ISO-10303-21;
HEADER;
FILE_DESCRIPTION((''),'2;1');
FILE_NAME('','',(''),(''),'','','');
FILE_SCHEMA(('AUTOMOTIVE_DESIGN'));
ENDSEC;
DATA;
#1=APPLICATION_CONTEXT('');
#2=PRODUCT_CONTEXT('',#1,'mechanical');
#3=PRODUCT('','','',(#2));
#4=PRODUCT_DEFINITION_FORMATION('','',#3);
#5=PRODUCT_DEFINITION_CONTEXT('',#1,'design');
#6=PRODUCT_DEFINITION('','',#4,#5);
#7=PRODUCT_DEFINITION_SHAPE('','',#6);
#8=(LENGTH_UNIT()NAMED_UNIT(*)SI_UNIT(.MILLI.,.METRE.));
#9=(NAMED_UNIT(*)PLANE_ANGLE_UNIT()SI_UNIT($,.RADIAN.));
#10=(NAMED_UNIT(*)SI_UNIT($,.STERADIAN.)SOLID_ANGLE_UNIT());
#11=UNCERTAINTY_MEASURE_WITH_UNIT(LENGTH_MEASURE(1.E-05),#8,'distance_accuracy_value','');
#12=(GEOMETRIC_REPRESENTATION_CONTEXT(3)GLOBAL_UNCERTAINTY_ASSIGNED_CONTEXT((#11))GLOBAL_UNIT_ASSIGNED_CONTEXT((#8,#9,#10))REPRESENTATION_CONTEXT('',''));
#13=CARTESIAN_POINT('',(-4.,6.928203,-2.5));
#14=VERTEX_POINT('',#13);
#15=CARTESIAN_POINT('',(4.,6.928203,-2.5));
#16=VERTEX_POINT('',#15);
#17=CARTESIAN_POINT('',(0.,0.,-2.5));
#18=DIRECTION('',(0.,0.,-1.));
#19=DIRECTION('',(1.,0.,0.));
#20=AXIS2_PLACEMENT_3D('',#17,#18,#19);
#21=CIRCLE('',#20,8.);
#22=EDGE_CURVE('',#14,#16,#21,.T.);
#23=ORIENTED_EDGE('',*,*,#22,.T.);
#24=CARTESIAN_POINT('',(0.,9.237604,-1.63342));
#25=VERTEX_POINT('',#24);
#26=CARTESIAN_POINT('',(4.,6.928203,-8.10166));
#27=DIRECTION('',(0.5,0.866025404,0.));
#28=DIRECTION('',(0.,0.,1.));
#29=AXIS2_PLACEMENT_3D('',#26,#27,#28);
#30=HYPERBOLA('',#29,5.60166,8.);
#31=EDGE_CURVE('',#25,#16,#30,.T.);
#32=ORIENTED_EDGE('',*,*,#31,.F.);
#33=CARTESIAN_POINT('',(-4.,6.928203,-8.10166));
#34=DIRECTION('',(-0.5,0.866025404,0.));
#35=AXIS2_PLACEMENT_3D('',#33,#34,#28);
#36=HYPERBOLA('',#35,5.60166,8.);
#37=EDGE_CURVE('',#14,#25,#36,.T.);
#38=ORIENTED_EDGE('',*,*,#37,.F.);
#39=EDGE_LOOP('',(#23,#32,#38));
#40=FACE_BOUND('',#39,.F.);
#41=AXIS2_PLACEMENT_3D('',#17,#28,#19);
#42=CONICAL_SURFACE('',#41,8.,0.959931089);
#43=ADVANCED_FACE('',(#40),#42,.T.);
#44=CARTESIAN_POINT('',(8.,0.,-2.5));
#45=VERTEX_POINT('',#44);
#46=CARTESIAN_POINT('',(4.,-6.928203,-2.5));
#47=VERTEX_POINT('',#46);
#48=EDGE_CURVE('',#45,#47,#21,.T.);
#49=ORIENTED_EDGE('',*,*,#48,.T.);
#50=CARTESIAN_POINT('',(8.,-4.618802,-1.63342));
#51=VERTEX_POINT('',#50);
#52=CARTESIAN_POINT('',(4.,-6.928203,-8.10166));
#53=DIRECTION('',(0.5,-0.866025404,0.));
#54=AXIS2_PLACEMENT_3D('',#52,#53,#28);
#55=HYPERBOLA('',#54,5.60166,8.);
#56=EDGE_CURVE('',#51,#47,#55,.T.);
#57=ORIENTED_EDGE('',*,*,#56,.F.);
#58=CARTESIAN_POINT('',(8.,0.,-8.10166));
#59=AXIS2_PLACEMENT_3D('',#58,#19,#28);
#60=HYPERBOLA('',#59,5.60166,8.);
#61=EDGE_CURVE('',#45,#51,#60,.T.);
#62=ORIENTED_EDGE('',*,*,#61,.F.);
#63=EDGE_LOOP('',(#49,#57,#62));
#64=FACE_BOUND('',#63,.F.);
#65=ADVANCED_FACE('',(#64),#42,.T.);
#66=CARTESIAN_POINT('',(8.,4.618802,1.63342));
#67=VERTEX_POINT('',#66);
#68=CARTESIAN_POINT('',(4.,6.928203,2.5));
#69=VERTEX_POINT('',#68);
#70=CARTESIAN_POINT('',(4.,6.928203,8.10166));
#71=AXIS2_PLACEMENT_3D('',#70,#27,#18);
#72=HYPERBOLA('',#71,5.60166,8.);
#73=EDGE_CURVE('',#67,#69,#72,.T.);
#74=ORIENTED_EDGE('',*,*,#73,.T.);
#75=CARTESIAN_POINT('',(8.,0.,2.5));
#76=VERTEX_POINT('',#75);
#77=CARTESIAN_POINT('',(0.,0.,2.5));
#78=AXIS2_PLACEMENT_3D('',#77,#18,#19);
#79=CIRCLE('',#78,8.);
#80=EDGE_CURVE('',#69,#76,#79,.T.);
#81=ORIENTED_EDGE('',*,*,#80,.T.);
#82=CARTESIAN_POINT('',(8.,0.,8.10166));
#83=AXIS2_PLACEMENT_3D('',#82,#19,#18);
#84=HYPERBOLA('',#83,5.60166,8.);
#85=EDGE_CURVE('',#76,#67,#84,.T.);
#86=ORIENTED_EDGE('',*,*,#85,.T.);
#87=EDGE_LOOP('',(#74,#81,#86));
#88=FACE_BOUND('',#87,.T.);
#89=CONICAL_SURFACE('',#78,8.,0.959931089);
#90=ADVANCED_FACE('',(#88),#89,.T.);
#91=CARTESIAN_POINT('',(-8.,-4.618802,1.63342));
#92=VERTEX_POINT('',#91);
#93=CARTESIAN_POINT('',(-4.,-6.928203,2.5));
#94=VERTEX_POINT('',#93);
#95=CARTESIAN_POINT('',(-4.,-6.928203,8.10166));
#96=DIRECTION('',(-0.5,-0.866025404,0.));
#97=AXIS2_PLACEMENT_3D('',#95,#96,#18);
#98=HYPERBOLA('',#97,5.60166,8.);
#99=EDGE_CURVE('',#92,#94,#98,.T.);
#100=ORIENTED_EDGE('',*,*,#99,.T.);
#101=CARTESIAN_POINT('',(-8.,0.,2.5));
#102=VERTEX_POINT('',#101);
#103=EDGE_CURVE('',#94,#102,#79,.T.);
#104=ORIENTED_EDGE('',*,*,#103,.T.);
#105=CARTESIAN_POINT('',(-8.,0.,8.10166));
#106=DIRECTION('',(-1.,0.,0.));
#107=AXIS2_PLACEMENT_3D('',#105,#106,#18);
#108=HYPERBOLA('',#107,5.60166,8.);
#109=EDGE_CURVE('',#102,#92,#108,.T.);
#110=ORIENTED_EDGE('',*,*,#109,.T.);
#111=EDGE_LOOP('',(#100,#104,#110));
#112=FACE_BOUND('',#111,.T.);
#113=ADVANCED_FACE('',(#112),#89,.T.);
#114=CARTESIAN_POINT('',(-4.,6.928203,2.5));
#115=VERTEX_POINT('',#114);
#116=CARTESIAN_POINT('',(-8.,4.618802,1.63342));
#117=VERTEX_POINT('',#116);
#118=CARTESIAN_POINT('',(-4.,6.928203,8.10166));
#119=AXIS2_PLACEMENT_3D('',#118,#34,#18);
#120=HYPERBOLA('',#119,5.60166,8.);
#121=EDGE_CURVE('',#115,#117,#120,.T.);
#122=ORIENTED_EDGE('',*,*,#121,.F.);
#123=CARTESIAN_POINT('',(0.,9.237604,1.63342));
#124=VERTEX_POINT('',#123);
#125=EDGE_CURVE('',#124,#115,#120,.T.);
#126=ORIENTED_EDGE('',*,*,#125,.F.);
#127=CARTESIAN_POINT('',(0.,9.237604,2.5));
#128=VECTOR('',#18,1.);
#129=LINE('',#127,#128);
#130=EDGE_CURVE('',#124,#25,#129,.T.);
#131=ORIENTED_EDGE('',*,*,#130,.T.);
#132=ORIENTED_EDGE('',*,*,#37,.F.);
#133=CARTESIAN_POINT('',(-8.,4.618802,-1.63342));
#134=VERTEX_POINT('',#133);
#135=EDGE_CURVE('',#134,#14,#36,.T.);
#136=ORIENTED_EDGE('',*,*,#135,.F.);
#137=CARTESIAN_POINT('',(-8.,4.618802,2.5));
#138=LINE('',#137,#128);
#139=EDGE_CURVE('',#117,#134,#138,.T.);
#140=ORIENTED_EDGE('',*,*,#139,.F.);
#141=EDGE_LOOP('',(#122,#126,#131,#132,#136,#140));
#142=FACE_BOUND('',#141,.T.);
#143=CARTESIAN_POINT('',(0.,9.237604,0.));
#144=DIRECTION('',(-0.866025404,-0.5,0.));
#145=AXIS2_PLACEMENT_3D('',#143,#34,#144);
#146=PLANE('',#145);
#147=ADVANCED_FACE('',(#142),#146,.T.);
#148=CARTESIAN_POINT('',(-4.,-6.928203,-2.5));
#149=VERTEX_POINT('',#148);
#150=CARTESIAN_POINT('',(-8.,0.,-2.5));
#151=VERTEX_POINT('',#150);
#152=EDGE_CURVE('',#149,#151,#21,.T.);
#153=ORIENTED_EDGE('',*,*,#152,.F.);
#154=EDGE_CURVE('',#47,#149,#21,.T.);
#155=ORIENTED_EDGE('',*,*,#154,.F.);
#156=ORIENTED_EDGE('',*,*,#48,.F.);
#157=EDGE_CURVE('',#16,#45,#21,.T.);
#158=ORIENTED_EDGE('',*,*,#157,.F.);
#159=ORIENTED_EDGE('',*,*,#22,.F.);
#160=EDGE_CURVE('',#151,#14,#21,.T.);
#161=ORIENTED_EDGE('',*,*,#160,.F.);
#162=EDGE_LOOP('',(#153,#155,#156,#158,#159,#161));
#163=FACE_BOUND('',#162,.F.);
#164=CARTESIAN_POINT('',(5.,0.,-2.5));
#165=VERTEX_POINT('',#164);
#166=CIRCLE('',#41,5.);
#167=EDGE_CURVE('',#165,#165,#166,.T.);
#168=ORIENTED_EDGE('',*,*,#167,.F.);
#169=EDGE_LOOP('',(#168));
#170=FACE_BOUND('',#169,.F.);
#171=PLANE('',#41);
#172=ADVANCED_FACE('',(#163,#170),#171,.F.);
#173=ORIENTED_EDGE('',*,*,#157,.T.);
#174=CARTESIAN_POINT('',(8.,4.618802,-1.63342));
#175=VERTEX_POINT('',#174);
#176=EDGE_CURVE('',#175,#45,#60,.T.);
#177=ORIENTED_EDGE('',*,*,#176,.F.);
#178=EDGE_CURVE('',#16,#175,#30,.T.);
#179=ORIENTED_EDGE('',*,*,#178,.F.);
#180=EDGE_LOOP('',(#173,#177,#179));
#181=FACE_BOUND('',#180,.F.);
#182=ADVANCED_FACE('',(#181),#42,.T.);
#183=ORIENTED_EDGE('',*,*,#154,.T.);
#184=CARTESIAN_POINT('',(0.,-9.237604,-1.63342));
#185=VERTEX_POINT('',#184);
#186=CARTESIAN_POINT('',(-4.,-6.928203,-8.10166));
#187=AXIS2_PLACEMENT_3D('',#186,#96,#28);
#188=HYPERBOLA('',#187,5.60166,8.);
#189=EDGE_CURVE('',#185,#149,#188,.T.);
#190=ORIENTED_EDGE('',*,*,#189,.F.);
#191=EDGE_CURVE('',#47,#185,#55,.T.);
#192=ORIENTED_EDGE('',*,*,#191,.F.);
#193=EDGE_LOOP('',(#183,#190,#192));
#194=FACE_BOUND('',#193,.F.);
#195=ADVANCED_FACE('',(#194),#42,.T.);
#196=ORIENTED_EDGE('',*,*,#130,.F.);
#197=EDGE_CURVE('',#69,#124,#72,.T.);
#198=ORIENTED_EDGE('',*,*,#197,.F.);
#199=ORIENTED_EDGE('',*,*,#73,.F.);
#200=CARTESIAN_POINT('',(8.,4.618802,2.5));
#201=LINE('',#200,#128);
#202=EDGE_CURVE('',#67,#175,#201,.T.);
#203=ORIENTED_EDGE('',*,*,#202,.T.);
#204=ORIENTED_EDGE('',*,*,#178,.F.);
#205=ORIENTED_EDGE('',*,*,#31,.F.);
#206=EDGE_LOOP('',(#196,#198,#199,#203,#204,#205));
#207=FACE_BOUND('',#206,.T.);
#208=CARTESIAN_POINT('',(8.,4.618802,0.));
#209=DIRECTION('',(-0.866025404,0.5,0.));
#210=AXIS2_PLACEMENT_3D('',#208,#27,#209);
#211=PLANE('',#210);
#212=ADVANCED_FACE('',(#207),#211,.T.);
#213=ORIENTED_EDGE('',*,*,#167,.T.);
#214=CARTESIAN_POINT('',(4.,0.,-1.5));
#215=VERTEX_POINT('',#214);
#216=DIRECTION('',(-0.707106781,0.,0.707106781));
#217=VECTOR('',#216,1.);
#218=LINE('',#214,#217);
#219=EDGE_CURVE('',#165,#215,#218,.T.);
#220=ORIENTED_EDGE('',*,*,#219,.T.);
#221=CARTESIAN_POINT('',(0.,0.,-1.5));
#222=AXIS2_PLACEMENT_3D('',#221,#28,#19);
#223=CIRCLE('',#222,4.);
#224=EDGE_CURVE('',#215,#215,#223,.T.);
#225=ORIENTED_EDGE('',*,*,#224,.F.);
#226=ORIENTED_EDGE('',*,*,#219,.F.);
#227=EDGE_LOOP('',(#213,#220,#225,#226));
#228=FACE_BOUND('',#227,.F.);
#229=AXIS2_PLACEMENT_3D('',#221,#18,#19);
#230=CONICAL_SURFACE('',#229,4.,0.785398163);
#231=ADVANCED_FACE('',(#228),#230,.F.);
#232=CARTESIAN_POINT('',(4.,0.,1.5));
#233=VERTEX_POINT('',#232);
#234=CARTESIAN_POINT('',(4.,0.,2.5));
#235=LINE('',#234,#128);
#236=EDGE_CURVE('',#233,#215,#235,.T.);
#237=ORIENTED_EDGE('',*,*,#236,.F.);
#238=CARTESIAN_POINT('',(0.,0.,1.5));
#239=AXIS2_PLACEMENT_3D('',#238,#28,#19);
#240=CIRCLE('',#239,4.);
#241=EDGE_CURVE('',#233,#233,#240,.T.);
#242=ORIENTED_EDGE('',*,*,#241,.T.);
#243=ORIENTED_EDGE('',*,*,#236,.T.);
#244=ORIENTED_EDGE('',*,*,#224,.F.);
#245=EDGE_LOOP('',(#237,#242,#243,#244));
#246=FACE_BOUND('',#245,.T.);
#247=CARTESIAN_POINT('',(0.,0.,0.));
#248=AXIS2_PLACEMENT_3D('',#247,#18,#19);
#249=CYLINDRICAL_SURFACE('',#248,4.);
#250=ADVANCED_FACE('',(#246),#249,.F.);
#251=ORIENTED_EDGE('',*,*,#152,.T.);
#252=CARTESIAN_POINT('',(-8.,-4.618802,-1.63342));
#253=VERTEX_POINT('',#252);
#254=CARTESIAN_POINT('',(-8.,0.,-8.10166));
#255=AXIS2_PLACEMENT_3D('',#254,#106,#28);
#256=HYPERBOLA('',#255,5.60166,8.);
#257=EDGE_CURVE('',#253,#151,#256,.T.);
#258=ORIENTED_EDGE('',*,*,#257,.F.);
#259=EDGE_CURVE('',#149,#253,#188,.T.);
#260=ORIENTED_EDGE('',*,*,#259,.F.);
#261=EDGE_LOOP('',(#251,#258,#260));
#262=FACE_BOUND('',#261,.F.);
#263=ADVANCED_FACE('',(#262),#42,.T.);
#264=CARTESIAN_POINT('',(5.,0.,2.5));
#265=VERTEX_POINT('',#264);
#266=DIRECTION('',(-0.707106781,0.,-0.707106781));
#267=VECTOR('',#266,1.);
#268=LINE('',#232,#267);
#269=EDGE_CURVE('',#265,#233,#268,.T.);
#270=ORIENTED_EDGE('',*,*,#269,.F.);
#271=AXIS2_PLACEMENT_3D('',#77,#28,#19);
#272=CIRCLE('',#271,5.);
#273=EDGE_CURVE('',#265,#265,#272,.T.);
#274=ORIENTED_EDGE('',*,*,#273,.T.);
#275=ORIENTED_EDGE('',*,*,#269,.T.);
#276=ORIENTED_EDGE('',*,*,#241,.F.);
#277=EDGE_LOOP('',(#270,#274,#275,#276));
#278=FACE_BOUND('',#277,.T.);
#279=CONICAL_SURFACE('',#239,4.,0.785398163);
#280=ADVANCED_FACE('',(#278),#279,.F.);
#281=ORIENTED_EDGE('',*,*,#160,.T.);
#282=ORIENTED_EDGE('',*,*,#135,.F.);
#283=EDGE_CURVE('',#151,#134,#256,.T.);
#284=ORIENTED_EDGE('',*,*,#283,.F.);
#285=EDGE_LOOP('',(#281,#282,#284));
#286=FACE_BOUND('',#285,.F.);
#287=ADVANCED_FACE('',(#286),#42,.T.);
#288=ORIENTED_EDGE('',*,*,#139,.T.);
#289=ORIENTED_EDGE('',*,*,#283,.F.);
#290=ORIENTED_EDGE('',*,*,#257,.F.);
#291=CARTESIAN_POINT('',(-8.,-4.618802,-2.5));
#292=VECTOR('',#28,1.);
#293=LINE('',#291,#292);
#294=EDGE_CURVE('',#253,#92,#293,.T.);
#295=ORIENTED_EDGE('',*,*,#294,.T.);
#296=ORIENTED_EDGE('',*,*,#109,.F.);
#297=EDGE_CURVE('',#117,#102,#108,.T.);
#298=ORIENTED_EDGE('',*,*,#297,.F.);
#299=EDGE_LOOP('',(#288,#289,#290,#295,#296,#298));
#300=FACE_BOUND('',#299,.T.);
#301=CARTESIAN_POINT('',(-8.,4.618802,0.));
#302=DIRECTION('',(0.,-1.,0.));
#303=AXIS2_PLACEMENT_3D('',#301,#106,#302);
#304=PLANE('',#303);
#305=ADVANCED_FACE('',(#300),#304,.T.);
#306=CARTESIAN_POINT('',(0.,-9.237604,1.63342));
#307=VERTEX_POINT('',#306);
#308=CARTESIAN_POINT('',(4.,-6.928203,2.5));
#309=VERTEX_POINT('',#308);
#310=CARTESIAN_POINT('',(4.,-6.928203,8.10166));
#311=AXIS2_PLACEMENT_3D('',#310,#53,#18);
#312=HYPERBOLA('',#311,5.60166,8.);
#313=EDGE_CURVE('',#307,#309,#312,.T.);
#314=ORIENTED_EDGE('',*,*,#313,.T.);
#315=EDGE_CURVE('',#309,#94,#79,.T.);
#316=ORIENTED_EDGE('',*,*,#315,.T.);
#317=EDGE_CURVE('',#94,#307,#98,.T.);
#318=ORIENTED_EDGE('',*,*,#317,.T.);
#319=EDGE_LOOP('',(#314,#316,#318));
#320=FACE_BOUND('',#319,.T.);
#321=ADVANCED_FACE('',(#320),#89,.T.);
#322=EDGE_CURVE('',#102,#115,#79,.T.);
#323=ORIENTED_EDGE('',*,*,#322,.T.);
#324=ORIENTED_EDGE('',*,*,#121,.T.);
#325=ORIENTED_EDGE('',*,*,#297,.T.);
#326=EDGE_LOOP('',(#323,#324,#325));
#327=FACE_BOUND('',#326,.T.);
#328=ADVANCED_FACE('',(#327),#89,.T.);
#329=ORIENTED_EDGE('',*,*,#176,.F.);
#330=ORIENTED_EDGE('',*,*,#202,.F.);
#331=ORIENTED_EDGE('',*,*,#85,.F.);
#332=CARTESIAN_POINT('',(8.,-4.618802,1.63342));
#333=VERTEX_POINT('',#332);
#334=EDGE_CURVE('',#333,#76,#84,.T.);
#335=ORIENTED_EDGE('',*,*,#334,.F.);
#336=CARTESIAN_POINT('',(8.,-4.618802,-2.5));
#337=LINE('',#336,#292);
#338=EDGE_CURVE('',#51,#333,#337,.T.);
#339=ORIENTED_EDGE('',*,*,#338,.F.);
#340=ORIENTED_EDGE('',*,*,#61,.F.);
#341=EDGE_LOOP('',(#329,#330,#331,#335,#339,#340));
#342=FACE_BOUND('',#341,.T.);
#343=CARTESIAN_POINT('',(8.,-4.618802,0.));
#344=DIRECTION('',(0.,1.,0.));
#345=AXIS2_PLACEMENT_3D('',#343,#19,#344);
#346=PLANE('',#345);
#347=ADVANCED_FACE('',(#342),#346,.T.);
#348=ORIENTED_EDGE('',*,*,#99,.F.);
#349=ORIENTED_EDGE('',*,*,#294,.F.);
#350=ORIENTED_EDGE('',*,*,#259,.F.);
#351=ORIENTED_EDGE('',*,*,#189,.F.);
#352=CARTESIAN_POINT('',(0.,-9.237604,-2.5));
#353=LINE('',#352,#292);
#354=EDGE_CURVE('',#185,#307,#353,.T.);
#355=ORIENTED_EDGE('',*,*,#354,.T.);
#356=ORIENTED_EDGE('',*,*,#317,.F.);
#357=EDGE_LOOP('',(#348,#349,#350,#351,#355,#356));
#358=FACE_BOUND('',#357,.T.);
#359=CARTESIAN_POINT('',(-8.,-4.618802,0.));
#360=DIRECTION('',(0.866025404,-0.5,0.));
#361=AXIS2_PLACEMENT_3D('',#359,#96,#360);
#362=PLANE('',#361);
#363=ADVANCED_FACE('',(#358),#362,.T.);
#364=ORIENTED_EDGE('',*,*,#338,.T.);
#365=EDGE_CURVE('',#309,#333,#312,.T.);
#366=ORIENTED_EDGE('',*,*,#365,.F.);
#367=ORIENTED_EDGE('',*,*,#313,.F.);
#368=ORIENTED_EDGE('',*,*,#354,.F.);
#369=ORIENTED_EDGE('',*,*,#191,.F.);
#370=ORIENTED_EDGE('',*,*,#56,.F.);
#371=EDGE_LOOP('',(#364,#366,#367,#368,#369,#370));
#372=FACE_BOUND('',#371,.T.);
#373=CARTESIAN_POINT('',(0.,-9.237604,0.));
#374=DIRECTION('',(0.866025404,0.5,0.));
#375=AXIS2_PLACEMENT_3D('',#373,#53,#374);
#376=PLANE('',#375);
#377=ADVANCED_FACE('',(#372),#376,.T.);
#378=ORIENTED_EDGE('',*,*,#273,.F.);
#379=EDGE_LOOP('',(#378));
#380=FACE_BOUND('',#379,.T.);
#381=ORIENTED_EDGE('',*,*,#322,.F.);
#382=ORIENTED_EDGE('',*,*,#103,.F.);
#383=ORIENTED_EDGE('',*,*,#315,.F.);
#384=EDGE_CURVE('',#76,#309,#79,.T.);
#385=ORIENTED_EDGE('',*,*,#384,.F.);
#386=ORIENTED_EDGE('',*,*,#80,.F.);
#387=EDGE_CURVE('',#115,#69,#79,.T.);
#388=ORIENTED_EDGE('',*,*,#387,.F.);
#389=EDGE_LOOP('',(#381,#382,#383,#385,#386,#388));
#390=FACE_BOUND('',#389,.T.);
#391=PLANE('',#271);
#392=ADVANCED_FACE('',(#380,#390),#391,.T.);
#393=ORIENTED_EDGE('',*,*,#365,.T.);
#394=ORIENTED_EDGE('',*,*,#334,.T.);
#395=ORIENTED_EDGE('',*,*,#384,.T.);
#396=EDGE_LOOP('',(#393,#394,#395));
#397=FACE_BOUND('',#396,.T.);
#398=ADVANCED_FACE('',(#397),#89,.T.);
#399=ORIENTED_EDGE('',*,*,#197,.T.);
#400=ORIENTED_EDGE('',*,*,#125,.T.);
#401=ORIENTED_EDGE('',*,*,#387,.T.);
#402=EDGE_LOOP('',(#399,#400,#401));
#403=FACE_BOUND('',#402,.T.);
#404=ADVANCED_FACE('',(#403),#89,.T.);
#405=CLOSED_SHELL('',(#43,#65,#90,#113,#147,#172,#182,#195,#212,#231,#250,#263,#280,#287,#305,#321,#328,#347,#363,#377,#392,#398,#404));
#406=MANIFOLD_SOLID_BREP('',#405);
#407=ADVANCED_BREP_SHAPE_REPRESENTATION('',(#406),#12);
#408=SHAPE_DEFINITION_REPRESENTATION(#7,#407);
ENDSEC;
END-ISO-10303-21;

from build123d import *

# Parameters (mm, degrees)
SKETCH1_R           = 4
BOSS_EXTRUDE1_DEPTH = 2.5
SKETCH2_OUTSIDE_W   = 40.128
SKETCH2_OUTSIDE_H   = 42.604
SKETCH2_OUTSIDE_R   = 8
CUT_EXTRUDE1_DEPTH  = 6
CUT_EXTRUDE1_TAPER  = 55
CHAMFER1_SIZE       = 1


with BuildPart() as part:
    # Sketch1 → Boss-Extrude1 (new body, symmetric)
    with BuildSketch(Plane.XY):
        Polygon((-8, 4.618802154), (-8, -4.618802154), (0, -9.237604307), (8, -4.618802154), (8, 4.618802154), (0, 9.237604307), align=None)
        Circle(SKETCH1_R, mode=Mode.SUBTRACT)
    extrude(amount=BOSS_EXTRUDE1_DEPTH, both=True)

    # Sketch2 outside → Cut-Extrude1 (cut, through all)
    with BuildSketch(Plane.XY.offset(2.5)):
        Rectangle(SKETCH2_OUTSIDE_W, SKETCH2_OUTSIDE_H)
        Circle(SKETCH2_OUTSIDE_R, mode=Mode.SUBTRACT)
    cut_extrude1 = extrude(amount=-CUT_EXTRUDE1_DEPTH, taper=CUT_EXTRUDE1_TAPER, mode=Mode.SUBTRACT)

    # Mirror1: Cut-Extrude1 across plane
    add(cut_extrude1.mirror(Plane.XY), mode=Mode.SUBTRACT)

    # Chamfer1
    chamfer1_edges = [part.edges().sort_by_distance(p)[0] for p in [
        (-4, 0, -2.5),
        (-4, 0, 2.5),
    ]]
    chamfer(chamfer1_edges, length=CHAMFER1_SIZE)


solid = part.part
